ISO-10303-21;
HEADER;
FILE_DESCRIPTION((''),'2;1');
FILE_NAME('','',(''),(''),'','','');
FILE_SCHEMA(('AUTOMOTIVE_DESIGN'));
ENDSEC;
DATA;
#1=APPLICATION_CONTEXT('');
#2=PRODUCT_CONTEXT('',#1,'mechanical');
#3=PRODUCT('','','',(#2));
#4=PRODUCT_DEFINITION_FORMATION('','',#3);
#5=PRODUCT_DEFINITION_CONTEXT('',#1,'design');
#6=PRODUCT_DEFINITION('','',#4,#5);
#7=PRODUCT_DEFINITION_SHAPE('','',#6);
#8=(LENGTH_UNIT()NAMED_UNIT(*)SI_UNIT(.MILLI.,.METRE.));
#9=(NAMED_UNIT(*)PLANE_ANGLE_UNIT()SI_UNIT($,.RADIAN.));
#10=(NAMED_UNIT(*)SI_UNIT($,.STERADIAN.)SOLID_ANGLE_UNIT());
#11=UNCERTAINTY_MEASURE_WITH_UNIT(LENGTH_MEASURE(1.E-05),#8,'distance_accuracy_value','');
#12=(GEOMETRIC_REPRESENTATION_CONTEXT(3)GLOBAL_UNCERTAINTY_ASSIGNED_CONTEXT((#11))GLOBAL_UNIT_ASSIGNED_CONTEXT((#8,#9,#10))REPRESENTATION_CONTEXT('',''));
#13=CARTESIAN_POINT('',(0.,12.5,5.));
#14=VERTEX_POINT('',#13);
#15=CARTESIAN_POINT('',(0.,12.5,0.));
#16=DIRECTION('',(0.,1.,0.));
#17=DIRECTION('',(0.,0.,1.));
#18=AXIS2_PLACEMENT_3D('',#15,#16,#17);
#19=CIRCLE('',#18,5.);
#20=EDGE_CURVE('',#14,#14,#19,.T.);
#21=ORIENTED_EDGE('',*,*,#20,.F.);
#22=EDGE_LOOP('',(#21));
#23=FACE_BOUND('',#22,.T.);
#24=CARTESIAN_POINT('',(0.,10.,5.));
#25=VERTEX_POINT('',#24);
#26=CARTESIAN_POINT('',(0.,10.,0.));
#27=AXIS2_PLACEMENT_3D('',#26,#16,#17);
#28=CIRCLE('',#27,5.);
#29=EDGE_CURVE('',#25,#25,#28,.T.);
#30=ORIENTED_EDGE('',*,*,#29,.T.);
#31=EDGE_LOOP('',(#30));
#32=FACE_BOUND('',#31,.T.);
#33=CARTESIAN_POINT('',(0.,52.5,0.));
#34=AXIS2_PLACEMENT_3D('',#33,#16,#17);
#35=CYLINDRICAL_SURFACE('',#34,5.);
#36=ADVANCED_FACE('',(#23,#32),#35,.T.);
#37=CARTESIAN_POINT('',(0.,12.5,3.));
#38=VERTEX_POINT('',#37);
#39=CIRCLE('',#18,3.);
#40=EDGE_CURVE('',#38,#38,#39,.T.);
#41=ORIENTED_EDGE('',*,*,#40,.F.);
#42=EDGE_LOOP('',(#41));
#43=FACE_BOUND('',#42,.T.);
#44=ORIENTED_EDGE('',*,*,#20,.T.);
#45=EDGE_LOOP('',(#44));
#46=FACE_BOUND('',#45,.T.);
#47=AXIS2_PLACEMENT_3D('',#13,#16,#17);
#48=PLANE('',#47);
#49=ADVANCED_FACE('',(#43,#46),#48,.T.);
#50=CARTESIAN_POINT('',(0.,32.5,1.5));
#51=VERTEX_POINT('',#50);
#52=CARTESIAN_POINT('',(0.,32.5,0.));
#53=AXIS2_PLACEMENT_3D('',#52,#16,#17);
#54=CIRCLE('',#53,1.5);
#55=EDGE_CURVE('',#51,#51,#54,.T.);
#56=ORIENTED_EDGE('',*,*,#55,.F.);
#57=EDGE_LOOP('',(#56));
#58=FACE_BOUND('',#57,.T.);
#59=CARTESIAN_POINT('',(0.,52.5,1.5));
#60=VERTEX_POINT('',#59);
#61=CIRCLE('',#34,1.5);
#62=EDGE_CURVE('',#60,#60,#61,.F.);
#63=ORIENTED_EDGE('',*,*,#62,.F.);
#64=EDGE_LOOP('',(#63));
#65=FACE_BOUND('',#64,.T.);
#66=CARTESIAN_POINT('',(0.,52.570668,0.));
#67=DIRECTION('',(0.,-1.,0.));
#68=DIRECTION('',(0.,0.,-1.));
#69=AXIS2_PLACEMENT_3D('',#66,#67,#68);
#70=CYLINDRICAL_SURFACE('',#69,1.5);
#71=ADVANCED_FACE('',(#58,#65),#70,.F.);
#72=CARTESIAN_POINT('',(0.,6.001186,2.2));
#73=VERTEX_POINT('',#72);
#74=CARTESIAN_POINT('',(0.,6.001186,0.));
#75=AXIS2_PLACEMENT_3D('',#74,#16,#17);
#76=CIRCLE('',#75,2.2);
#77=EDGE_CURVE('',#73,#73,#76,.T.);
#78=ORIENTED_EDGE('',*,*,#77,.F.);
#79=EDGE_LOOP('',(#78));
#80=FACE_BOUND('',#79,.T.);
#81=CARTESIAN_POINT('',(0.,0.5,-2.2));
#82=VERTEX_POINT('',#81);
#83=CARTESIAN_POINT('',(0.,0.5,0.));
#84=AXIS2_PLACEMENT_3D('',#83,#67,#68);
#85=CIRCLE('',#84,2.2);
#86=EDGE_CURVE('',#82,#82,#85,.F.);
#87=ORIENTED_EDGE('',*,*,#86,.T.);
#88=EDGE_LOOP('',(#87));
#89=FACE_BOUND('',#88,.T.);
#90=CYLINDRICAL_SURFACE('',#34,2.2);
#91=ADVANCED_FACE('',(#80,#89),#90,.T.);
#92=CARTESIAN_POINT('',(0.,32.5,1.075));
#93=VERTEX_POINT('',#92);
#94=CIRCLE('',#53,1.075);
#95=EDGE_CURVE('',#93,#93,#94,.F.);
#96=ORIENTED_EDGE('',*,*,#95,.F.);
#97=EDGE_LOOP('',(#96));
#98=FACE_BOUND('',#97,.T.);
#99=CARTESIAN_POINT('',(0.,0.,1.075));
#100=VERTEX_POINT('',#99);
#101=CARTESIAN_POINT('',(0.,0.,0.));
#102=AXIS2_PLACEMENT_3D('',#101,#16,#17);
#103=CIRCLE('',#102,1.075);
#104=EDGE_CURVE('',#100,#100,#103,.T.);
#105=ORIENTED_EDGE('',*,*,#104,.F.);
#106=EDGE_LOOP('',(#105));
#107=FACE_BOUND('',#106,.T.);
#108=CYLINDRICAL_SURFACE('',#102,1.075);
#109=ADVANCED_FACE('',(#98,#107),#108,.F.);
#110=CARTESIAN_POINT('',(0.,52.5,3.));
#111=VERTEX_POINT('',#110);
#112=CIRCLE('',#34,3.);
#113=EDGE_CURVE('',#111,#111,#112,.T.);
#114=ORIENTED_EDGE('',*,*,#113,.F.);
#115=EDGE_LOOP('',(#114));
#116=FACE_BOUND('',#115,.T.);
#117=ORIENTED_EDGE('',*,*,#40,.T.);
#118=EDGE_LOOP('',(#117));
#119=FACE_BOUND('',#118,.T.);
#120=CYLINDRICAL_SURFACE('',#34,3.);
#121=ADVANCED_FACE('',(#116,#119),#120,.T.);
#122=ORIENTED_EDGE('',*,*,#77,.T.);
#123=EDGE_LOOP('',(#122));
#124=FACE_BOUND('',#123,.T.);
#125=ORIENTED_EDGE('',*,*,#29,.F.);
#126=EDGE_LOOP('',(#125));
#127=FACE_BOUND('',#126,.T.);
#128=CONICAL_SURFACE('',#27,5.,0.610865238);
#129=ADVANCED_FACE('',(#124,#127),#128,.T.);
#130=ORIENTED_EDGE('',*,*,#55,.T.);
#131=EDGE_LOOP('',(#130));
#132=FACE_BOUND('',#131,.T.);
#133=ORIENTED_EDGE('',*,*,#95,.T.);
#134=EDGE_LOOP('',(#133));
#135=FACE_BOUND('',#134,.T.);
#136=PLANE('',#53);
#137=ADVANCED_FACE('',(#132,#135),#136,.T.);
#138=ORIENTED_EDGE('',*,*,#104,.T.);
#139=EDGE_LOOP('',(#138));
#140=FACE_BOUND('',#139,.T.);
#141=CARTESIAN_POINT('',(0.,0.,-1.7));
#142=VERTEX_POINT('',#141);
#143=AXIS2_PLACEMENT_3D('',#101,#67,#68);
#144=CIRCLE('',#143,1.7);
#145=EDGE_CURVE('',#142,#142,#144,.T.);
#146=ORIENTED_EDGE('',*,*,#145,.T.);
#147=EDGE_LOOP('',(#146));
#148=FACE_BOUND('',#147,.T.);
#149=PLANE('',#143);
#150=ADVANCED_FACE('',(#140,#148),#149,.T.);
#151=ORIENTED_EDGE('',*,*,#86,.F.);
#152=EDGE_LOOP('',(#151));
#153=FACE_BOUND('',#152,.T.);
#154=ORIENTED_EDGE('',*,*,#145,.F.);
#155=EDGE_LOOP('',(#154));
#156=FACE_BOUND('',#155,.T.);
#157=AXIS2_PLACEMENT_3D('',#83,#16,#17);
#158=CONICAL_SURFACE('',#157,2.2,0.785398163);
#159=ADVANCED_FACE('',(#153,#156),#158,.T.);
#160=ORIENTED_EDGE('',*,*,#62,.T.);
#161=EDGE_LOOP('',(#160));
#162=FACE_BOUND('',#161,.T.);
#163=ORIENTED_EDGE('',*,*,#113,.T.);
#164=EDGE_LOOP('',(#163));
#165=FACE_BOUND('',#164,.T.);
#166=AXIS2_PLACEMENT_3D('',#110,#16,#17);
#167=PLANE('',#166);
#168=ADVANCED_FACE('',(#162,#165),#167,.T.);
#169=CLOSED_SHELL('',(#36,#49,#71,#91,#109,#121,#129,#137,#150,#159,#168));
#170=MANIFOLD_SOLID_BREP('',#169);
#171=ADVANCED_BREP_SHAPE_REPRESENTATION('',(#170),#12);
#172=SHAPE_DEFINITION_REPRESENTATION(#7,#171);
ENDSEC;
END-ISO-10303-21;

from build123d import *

# Parameters (mm, degrees)
CUT_EXTRUDE1_DEPTH      = 53.974050251
CUT_EXTRUDE1_DEPTH_BACK = 53.974050251
SKETCH2_R               = 1.075
CUT_EXTRUDE2_DEPTH      = 53.974050251
CUT_EXTRUDE2_DEPTH_BACK = 20
SKETCH3_R               = 1.5
CHAMFER1_SIZE           = 0.5


with BuildPart() as part:
    # Sketch1 → Revolve1 (revolve)
    with BuildSketch(Plane(origin=(0, 0, 0), x_dir=(0, 0, -1), z_dir=(1, 0, 0))):
        Polygon((0, 0), (-2.2, 0), (-2.2, 6.001185581), (-5, 10), (-5, 12.5), (-3, 12.5), (-3, 52.5), (0, 52.5), align=None)
    revolve(axis=Axis((0, 52.5, 0), (0, -1, 0)))

    # Sketch2 → Cut-Extrude1 (cut, two sides: drawn at the far end of the back side and taken through both)
    with BuildSketch(Plane(origin=(0, 52.5, 0), x_dir=(1, 0, 0), z_dir=(0, 1, 0)).offset(-CUT_EXTRUDE1_DEPTH_BACK)):
        with Locations(Location((0, 0, 0), (0, 0, 270))):
            Circle(SKETCH2_R)
    extrude(amount=CUT_EXTRUDE1_DEPTH + CUT_EXTRUDE1_DEPTH_BACK, mode=Mode.SUBTRACT)

    # Sketch3 → Cut-Extrude2 (cut, two sides: drawn at the far end of the back side and taken through both)
    with BuildSketch(Plane(origin=(0, 52.5, 0), x_dir=(1, 0, 0), z_dir=(0, 1, 0)).offset(-CUT_EXTRUDE2_DEPTH_BACK)):
        with Locations(Location((0, 0, 0), (0, 0, 270))):
            Circle(SKETCH3_R)
    extrude(amount=CUT_EXTRUDE2_DEPTH + CUT_EXTRUDE2_DEPTH_BACK, mode=Mode.SUBTRACT)

    # Chamfer1
    chamfer1_edges = [part.edges().sort_by_distance(p)[0] for p in [
        (0, 0, -2.2),
    ]]
    chamfer(chamfer1_edges, length=CHAMFER1_SIZE)


solid = part.part
